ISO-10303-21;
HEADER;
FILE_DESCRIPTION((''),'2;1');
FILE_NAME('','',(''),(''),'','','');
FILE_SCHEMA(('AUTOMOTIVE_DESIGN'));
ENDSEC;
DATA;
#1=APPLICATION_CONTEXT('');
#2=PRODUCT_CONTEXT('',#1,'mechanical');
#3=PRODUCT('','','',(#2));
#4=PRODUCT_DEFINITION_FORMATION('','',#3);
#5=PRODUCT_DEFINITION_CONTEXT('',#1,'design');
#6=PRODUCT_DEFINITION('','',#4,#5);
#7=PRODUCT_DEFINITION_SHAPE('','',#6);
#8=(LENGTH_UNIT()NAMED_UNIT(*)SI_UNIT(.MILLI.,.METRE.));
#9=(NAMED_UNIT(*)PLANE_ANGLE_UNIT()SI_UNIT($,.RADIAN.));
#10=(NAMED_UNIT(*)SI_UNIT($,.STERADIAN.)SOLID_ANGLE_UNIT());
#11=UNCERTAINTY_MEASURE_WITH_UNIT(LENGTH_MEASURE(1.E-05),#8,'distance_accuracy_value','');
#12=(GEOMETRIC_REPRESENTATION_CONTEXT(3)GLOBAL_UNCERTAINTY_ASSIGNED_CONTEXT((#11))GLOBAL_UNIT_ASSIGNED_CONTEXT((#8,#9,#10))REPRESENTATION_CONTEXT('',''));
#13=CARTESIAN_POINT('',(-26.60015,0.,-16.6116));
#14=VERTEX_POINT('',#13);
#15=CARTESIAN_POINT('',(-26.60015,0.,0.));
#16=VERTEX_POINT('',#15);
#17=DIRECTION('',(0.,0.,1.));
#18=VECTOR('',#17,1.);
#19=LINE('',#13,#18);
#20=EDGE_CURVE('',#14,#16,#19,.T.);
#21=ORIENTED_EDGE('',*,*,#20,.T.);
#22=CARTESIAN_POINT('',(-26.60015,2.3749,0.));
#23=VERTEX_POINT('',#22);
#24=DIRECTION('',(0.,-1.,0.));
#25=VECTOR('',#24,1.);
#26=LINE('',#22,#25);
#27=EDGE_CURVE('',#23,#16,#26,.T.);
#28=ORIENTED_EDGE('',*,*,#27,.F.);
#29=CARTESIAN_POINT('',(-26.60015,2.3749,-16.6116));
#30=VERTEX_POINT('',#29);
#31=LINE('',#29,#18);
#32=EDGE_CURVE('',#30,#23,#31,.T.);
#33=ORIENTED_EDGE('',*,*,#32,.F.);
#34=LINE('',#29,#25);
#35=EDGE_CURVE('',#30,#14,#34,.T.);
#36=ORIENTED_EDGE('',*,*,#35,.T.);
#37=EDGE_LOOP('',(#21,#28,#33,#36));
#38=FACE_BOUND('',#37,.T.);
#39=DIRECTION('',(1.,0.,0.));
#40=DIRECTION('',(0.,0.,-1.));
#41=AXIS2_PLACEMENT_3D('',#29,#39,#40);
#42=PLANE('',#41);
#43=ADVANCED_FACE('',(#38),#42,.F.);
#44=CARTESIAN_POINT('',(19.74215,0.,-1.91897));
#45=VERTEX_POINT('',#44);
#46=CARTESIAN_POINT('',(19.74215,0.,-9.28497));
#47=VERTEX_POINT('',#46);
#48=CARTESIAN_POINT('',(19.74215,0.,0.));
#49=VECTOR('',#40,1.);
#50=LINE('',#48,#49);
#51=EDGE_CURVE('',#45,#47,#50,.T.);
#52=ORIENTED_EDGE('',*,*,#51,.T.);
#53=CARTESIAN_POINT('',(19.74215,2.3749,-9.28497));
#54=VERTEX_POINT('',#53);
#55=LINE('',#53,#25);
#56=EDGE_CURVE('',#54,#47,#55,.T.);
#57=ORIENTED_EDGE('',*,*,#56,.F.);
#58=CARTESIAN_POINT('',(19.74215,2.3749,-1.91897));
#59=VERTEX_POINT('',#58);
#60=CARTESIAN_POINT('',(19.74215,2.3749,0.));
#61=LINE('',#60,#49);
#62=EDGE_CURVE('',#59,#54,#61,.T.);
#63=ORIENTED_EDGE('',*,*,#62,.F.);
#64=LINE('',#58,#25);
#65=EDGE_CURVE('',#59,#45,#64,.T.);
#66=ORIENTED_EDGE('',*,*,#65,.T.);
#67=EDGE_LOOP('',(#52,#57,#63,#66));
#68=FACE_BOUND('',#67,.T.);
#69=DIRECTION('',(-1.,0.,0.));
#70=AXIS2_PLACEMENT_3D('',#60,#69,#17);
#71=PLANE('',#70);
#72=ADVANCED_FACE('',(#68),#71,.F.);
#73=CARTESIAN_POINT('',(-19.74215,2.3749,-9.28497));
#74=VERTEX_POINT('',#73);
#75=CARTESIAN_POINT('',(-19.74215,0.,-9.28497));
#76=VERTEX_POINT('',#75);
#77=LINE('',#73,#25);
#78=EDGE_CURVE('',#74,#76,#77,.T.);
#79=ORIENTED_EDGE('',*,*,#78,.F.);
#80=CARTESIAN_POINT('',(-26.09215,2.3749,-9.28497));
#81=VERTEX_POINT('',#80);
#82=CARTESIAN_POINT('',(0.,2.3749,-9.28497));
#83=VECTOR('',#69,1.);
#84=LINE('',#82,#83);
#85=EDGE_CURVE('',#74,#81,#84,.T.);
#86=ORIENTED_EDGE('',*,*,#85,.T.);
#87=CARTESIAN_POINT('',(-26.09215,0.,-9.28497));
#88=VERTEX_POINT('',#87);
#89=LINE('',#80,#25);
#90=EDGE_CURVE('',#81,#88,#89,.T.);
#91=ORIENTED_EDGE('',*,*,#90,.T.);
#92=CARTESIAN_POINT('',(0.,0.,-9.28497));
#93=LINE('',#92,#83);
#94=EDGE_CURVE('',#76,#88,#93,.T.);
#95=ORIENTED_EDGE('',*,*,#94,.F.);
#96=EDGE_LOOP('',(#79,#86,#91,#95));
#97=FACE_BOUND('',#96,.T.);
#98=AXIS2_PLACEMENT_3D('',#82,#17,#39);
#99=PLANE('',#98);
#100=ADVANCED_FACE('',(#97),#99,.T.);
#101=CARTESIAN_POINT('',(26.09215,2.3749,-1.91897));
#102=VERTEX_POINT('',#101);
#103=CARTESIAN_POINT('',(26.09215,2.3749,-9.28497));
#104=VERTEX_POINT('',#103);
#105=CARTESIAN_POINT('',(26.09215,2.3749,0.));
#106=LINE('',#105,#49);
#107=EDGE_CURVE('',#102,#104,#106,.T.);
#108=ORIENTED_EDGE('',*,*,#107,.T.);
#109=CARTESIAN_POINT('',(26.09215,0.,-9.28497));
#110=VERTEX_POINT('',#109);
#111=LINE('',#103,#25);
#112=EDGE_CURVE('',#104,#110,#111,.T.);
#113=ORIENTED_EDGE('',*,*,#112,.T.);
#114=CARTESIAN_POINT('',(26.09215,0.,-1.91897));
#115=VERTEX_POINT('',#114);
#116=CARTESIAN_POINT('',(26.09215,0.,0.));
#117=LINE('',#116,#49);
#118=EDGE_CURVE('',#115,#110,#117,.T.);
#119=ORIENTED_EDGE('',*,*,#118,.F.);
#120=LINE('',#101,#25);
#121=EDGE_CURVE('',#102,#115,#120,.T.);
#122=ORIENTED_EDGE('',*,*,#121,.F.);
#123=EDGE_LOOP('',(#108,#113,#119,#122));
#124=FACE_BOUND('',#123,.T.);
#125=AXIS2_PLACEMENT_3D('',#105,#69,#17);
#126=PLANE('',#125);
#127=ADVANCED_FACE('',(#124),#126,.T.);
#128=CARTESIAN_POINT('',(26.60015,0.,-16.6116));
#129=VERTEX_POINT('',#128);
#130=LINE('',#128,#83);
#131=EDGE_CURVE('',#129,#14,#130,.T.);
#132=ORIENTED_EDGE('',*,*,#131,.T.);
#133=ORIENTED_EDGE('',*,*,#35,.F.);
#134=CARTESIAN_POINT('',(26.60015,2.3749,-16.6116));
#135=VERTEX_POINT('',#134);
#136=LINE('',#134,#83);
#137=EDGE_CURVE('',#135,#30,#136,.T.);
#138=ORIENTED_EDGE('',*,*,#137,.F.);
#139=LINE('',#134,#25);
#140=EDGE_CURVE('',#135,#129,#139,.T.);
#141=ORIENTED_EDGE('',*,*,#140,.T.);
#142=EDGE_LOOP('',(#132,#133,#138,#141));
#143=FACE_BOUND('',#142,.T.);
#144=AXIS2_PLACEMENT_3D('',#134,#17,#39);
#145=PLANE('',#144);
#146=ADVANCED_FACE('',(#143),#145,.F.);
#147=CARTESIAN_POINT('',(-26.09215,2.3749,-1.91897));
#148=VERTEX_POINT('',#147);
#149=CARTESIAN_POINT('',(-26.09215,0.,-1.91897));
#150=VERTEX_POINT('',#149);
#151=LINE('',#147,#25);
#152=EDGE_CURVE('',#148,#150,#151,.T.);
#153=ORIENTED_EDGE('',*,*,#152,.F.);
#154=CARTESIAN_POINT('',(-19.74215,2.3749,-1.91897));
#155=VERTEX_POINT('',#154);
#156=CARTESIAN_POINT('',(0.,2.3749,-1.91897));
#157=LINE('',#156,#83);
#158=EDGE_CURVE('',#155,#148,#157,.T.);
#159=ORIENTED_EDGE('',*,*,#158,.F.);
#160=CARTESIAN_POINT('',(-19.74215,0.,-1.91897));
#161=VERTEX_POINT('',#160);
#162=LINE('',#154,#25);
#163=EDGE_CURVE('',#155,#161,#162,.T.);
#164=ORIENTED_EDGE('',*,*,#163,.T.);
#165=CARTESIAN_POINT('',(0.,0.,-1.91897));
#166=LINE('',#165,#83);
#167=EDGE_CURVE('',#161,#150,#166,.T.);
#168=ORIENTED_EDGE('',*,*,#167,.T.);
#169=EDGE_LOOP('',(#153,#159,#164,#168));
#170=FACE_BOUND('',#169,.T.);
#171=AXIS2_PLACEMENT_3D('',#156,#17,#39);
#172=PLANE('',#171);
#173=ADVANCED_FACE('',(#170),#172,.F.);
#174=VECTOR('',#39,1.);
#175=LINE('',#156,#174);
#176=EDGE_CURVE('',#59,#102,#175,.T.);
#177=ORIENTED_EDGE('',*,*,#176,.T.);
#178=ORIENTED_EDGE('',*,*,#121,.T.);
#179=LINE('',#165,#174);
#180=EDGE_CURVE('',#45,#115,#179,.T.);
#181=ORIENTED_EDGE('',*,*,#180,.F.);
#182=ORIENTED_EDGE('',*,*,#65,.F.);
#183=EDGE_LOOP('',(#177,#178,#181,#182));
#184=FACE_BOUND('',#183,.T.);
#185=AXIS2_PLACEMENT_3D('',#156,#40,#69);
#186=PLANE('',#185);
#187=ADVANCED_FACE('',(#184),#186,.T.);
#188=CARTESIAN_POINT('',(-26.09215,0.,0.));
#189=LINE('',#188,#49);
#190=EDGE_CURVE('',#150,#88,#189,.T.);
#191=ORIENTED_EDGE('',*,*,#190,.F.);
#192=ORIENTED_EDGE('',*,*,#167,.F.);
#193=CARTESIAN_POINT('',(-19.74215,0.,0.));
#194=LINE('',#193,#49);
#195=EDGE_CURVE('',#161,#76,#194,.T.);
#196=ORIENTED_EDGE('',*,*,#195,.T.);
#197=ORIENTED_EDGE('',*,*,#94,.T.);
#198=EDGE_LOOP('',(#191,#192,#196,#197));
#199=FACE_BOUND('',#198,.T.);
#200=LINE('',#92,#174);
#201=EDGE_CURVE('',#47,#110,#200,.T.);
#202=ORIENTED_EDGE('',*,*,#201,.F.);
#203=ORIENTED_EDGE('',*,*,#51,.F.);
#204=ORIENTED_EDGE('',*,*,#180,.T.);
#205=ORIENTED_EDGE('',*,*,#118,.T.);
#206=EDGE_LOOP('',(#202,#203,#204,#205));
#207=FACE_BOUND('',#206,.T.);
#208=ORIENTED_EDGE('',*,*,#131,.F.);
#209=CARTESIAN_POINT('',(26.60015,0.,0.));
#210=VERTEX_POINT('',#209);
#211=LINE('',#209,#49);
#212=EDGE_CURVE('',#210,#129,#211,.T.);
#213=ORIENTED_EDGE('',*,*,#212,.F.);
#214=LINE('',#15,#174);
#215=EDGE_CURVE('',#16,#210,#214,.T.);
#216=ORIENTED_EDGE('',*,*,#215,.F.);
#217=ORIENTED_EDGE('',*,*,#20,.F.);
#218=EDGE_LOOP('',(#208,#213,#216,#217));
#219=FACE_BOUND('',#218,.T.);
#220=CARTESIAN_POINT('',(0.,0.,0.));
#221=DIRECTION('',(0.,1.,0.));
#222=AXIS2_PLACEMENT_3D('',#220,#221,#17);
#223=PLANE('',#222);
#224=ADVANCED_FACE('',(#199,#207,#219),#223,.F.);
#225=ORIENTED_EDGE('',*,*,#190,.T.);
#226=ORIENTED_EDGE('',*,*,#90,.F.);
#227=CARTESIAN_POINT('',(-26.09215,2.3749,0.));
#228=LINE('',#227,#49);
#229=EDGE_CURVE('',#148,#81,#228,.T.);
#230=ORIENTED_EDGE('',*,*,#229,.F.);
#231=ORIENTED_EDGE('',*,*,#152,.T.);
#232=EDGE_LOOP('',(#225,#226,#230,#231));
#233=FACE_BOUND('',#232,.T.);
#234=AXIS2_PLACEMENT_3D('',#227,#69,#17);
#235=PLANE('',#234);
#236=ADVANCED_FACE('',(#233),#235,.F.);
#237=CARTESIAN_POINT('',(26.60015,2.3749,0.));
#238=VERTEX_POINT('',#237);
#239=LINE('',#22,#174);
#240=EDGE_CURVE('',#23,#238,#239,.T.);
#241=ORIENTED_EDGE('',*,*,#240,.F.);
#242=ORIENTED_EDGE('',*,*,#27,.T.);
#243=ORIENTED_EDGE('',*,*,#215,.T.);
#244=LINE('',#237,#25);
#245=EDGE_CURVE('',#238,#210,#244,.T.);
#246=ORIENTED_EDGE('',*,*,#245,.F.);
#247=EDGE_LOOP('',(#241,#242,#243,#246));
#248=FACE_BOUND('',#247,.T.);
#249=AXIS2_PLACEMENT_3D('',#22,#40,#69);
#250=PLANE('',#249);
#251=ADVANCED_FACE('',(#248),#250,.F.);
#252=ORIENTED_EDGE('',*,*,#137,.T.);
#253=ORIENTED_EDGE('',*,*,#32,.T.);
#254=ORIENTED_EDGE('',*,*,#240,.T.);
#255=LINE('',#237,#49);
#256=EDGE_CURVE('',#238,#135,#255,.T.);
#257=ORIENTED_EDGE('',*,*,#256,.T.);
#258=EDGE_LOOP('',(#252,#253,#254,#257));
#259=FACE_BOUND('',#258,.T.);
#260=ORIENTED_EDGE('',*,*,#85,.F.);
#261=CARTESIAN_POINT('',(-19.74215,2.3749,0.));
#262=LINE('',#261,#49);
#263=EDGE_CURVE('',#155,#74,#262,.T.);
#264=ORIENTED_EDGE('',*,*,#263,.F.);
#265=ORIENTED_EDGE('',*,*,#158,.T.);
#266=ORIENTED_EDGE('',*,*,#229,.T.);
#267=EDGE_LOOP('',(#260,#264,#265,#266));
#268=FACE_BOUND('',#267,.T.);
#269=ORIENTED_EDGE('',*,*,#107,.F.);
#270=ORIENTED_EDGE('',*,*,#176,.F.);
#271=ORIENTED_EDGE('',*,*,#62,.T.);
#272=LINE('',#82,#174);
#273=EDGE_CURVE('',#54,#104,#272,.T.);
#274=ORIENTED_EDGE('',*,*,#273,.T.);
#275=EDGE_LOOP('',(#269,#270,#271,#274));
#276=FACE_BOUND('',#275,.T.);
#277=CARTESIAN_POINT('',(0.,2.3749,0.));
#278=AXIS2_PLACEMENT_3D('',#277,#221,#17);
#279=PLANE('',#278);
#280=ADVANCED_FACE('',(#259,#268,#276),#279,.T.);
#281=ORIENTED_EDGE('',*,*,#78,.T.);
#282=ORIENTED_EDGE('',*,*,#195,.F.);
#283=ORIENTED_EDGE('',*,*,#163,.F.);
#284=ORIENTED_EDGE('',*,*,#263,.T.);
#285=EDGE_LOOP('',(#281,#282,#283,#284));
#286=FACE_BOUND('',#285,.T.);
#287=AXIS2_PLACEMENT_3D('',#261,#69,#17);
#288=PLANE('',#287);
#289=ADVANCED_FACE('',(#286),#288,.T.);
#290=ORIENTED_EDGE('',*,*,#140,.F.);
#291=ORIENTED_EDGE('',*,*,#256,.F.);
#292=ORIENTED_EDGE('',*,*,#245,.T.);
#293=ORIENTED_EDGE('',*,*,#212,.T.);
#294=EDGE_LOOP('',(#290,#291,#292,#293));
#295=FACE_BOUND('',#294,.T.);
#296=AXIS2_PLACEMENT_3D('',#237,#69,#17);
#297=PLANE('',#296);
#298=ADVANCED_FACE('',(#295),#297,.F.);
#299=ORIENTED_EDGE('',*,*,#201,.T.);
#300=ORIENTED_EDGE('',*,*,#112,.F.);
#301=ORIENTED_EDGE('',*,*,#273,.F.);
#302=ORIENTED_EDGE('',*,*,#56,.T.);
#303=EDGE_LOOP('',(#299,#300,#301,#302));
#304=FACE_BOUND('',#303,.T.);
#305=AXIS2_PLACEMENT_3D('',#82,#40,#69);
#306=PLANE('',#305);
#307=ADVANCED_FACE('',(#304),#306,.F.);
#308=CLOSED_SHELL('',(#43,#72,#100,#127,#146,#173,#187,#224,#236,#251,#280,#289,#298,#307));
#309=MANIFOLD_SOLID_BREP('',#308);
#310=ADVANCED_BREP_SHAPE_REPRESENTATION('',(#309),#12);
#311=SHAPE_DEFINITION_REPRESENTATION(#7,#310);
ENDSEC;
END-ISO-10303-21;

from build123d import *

# Parameters (mm, degrees)
SKETCH1_W           = 53.2003
SKETCH1_H           = 16.6116
SKETCH1_W_2         = 6.35
SKETCH1_H_2         = 7.366
BOSS_EXTRUDE1_DEPTH = 2.3749


with BuildPart() as part:
    # Sketch1 → Boss-Extrude1 (new body)
    with BuildSketch(Plane(origin=(0, 0, 0), x_dir=(1, 0, 0), z_dir=(0, 1, 0))):
        with Locations((0, 8.3058)):
            Rectangle(SKETCH1_W, SKETCH1_H)
        with Locations((22.91715, 5.60197)):
            Rectangle(SKETCH1_W_2, SKETCH1_H_2, mode=Mode.SUBTRACT)
        with Locations((-22.91715, 5.60197)):
            Rectangle(SKETCH1_W_2, SKETCH1_H_2, mode=Mode.SUBTRACT)
    extrude(amount=BOSS_EXTRUDE1_DEPTH)


solid = part.part
